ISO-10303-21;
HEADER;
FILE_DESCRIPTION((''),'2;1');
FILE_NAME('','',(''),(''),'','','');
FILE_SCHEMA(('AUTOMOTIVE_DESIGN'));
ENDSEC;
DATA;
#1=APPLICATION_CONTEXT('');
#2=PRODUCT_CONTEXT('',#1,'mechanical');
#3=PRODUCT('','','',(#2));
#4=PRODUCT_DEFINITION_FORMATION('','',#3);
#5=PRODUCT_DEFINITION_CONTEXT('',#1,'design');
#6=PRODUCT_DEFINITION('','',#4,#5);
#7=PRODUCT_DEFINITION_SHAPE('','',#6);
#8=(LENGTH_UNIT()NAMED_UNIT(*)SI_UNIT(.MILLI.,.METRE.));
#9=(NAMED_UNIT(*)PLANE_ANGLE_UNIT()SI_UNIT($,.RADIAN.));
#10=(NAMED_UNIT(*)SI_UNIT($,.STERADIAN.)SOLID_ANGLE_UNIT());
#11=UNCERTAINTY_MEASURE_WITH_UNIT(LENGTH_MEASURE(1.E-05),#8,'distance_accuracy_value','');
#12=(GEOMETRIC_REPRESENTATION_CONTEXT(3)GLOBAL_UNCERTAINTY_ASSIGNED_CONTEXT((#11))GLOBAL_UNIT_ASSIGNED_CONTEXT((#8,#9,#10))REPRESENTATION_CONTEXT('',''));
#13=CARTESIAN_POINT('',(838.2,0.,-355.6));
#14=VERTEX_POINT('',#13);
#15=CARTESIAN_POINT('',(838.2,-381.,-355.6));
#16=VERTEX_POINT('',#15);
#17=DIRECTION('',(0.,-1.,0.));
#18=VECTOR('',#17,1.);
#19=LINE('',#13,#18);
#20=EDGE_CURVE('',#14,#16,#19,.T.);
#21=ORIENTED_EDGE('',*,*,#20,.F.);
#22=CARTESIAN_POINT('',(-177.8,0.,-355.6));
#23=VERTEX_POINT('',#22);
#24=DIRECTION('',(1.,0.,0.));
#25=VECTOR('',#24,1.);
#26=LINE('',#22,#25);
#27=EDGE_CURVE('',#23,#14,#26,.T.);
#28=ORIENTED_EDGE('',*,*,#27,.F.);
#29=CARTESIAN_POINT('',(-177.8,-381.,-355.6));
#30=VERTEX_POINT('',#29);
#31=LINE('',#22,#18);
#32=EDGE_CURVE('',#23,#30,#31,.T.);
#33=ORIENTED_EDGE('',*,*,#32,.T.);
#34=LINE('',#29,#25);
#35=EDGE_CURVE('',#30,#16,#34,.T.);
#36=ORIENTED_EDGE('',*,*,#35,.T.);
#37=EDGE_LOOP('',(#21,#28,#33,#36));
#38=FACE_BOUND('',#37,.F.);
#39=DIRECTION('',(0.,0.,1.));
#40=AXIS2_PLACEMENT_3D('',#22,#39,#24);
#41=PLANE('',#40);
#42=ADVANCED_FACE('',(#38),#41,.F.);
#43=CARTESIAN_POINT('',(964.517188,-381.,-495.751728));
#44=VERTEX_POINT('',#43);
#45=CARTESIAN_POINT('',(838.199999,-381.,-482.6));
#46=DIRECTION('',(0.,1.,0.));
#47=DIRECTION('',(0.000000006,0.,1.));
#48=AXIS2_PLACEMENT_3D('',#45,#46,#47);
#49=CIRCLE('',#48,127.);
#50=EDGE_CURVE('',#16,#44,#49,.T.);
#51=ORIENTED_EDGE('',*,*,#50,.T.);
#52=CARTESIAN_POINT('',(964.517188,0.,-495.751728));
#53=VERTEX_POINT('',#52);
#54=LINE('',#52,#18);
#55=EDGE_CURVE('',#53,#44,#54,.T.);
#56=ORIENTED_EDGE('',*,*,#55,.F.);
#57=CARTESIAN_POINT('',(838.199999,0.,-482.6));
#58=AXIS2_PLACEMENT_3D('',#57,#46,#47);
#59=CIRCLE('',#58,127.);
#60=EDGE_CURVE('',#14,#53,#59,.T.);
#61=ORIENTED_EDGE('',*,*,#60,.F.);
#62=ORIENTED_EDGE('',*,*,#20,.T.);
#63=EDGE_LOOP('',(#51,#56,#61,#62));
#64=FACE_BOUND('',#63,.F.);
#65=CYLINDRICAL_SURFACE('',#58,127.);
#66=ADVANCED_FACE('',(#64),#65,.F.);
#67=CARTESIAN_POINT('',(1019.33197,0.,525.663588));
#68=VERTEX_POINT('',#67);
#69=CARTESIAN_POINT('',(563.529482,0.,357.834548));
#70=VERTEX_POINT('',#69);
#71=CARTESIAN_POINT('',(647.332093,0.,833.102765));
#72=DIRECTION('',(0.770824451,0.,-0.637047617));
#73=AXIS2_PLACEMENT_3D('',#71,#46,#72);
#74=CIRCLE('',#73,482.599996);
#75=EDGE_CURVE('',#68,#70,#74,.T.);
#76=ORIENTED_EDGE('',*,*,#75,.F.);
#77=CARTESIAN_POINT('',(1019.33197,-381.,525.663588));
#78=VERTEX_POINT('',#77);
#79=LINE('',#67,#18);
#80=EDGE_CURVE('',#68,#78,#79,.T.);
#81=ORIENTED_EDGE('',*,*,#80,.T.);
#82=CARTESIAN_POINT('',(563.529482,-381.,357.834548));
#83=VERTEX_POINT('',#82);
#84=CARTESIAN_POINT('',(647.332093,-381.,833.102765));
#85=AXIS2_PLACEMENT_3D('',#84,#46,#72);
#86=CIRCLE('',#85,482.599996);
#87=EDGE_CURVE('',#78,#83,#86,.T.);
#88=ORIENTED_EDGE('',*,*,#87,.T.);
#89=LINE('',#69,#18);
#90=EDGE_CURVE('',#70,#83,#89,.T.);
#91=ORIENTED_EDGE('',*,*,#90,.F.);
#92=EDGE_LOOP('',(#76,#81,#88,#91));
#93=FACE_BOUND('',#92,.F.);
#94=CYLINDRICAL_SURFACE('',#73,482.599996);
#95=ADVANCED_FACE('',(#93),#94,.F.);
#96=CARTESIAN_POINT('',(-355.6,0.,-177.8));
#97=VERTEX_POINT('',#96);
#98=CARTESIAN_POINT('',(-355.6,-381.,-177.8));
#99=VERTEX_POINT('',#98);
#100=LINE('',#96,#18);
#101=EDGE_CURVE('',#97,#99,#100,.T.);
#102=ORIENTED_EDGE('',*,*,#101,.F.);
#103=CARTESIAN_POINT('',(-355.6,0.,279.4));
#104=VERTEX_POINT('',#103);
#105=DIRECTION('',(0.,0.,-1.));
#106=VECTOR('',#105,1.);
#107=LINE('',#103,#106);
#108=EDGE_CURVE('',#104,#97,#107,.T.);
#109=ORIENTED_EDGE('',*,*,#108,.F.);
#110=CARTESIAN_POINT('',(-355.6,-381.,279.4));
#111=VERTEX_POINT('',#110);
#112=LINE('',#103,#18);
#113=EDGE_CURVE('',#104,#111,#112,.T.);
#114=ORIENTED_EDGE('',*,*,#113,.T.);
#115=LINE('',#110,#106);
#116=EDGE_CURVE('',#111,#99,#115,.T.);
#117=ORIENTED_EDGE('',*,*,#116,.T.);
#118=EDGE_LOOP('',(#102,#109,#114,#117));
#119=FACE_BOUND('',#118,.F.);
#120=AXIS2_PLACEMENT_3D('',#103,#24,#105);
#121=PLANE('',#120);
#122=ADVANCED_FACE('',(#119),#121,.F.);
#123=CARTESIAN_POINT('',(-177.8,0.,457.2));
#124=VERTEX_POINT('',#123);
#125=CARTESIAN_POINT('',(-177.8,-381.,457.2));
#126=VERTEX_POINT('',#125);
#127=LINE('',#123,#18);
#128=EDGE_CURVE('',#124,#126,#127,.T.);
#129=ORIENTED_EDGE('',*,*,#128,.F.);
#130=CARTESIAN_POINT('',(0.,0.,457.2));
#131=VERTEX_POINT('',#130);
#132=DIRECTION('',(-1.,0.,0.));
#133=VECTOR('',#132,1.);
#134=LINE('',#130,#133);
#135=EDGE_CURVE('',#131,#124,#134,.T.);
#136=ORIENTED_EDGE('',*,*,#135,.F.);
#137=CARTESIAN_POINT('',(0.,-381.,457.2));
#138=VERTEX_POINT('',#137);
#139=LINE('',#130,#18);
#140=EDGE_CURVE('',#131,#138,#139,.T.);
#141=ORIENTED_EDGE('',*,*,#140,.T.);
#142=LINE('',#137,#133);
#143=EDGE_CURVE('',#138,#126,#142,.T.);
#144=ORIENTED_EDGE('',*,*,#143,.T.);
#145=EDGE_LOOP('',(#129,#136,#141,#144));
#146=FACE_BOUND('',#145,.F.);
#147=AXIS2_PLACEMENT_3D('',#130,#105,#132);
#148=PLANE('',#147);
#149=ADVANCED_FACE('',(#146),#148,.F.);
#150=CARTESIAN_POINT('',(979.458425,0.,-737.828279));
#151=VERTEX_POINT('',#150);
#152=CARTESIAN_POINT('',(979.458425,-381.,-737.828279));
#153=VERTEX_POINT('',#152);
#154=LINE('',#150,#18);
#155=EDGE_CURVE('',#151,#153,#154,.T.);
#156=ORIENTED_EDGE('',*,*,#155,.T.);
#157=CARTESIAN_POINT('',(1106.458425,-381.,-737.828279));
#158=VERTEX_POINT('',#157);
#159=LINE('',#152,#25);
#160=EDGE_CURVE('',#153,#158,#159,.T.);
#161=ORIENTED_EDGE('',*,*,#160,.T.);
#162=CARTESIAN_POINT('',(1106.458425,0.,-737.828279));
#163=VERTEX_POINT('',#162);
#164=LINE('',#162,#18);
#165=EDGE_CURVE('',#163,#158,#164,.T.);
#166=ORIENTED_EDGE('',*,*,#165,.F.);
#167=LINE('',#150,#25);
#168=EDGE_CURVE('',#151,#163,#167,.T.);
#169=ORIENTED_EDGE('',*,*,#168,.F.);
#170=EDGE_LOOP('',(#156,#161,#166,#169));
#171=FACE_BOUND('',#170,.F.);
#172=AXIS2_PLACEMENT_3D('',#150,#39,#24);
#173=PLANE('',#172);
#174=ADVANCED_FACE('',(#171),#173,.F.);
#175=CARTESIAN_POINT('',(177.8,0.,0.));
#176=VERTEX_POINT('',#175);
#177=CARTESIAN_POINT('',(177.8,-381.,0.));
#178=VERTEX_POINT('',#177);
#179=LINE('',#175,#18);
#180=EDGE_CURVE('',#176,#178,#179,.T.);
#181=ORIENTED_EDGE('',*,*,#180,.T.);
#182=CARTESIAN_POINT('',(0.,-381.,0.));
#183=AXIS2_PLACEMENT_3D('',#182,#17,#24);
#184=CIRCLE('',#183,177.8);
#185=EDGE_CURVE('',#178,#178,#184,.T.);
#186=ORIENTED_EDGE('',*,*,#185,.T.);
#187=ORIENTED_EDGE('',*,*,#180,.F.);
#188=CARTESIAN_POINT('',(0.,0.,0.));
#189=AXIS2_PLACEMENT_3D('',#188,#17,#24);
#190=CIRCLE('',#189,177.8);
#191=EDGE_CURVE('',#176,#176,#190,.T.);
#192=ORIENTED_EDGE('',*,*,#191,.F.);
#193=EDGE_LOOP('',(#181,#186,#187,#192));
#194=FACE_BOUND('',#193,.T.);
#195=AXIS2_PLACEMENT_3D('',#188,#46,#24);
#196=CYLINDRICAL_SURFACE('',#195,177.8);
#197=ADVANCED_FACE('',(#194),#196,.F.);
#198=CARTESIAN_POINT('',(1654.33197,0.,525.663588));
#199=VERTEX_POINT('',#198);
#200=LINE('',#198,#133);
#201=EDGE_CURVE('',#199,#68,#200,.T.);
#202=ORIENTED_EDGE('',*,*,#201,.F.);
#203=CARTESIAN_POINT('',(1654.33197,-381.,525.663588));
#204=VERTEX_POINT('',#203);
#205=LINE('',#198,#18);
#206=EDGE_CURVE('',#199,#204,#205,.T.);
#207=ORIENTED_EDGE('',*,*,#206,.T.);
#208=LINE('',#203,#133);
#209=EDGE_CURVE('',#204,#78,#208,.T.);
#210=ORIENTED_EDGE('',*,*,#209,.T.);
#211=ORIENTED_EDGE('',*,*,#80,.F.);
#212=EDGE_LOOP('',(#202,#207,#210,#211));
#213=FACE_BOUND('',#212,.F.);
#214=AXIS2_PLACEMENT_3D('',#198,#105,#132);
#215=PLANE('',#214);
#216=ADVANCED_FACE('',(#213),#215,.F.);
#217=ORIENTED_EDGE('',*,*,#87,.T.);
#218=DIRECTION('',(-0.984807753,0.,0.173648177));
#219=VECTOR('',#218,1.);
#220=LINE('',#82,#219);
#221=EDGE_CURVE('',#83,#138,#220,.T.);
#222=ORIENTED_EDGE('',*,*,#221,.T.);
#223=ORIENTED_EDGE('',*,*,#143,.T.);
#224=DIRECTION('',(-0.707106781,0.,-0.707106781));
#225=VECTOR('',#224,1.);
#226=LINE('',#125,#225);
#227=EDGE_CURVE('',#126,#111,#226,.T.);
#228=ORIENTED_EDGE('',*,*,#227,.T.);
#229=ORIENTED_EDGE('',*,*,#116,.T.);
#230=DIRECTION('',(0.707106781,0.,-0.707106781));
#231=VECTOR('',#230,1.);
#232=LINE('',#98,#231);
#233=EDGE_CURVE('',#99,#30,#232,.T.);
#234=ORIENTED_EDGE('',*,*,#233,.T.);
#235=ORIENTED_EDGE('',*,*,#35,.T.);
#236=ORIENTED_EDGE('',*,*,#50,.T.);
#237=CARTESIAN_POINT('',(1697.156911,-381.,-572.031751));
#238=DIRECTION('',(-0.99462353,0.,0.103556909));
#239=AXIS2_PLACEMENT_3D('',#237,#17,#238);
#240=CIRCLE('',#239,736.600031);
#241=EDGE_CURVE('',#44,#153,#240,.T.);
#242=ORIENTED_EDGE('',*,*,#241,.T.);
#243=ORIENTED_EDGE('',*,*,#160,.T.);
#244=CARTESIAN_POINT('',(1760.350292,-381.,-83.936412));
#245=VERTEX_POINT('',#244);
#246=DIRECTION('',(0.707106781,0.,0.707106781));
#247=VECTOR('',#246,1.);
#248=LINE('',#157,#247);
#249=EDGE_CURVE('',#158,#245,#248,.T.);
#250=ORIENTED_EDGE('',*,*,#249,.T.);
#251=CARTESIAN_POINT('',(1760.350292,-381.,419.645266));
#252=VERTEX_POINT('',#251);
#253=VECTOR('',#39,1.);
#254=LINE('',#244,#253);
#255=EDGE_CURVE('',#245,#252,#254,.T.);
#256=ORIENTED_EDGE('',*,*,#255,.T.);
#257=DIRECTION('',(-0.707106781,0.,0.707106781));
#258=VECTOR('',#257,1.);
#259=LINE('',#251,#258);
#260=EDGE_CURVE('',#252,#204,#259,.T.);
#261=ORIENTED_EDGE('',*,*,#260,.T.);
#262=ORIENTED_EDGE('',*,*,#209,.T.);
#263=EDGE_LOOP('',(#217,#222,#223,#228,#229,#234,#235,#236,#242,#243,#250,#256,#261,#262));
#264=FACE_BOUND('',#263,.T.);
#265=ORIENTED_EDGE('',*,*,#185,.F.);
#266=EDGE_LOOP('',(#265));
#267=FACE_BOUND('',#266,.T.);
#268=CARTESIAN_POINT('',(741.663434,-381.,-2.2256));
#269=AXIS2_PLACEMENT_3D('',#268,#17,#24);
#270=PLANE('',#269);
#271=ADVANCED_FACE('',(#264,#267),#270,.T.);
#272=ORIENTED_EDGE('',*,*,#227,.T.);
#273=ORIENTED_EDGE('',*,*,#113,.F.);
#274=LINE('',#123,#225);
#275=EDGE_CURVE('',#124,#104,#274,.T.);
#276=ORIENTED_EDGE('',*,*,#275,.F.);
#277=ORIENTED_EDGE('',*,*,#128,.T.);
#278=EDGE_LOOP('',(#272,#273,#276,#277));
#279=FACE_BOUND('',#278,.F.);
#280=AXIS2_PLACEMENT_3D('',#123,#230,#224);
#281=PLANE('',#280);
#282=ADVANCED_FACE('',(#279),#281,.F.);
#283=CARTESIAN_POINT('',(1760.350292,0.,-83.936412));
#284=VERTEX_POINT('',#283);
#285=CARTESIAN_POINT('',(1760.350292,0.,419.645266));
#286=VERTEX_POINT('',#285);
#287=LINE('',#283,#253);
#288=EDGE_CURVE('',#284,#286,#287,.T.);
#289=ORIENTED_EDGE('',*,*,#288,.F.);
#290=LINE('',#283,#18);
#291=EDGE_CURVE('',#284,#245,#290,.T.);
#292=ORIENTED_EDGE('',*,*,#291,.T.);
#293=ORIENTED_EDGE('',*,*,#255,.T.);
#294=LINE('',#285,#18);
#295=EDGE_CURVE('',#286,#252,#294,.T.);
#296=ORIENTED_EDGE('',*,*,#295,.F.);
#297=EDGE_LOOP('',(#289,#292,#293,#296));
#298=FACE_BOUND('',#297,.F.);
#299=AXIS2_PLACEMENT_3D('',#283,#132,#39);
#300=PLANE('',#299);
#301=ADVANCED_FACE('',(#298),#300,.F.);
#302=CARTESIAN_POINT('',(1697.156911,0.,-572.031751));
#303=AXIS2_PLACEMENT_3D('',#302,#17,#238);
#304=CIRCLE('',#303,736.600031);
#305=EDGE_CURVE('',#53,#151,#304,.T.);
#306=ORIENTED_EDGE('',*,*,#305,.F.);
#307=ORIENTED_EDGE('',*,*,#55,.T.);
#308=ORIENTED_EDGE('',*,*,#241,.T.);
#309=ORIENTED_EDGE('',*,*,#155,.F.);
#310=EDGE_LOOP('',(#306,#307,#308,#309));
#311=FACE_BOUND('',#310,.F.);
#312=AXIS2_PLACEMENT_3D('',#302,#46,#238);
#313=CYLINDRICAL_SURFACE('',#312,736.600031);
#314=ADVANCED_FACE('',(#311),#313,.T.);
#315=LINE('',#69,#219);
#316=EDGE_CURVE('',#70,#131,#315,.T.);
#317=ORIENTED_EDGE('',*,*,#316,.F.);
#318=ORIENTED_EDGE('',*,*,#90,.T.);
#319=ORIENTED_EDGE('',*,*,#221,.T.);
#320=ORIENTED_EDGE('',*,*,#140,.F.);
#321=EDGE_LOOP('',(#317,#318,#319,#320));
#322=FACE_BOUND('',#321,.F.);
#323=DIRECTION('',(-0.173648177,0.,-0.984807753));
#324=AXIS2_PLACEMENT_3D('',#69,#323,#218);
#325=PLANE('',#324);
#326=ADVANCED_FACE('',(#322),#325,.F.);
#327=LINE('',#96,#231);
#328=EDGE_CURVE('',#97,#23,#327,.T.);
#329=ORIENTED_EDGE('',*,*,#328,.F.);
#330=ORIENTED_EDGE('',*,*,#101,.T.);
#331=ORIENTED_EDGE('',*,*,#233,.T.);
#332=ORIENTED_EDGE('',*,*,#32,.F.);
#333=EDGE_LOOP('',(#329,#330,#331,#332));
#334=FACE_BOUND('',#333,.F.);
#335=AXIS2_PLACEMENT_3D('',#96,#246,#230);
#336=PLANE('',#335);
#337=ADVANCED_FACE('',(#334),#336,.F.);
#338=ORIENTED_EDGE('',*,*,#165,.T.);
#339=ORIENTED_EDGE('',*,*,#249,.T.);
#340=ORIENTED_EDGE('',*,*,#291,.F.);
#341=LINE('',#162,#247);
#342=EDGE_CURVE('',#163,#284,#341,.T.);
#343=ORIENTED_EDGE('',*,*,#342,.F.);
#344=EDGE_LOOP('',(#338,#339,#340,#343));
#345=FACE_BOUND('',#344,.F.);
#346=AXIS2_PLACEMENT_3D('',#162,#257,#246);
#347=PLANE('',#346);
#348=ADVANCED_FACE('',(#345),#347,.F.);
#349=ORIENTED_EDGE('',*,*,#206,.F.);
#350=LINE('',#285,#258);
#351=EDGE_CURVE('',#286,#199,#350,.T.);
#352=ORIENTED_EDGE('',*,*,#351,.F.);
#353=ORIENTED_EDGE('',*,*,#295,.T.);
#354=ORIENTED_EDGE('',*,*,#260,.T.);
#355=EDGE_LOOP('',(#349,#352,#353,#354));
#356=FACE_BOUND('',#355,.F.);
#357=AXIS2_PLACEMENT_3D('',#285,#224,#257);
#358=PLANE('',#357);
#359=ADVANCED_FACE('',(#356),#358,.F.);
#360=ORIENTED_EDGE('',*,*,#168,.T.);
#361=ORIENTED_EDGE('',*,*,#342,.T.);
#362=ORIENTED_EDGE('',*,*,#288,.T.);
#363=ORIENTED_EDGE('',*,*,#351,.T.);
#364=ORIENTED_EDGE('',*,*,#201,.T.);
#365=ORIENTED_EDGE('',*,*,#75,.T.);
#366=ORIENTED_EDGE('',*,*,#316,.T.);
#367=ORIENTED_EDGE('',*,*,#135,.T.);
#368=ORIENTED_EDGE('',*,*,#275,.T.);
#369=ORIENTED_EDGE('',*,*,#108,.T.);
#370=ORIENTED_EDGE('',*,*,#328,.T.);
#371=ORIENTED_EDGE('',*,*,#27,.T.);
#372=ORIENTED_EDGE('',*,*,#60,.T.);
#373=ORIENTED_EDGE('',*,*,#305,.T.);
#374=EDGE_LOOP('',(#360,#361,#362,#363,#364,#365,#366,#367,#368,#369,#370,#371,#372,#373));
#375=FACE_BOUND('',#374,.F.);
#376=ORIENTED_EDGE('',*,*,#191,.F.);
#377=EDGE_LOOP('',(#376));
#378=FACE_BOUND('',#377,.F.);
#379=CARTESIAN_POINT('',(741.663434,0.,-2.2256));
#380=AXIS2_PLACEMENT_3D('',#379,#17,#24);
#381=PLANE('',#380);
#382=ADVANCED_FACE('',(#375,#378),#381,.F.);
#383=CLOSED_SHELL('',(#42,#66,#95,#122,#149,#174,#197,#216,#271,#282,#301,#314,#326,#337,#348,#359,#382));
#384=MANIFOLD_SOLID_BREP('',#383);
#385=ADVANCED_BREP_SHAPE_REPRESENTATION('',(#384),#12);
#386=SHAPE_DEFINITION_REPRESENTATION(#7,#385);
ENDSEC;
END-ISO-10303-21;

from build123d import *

# Parameters (mm, degrees)
F0_R     = 177.8
F1_DEPTH = 381


with BuildPart() as f1:
    # F0 (on Front) → F1 (new body)
    with BuildSketch(Plane.XZ):
        with BuildLine():
            Line((-355.6, 279.4), (-355.6, 0))
            Line((-355.6, 0), (-355.6, -177.8))
            Line((-355.6, -177.8), (-177.8, -355.6))
            Line((-177.8, -355.6), (0, -355.6))
            Line((0, -355.6), (838.2, -355.6))
            ThreePointArc((838.2, -355.6), (932.537875, -397.574326), (964.517188, -495.751728))
            ThreePointArc((964.517188, -495.751728), (961.955922, -617.409183), (979.458425, -737.828279))
            Line((979.458425, -737.828279), (1106.458425, -737.828279))
            Line((1106.458425, -737.828279), (1589.058425, -255.228279))
            Line((1589.058425, -255.228279), (1760.350292, -83.936412))
            Line((1760.350292, -83.936412), (1760.350292, 419.645266))
            Line((1760.350292, 419.645266), (1654.33197, 525.663588))
            Line((1654.33197, 525.663588), (1019.33197, 525.663588))
            ThreePointArc((1019.33197, 525.663588), (814.083593, 380.226741), (563.529482, 357.834548))
            Line((563.529482, 357.834548), (0, 457.2))
            Line((0, 457.2), (-177.8, 457.2))
            Line((-177.8, 457.2), (-355.6, 279.4))
        make_face()
        Circle(F0_R, mode=Mode.SUBTRACT)
    extrude(amount=F1_DEPTH)


solid = f1.part
